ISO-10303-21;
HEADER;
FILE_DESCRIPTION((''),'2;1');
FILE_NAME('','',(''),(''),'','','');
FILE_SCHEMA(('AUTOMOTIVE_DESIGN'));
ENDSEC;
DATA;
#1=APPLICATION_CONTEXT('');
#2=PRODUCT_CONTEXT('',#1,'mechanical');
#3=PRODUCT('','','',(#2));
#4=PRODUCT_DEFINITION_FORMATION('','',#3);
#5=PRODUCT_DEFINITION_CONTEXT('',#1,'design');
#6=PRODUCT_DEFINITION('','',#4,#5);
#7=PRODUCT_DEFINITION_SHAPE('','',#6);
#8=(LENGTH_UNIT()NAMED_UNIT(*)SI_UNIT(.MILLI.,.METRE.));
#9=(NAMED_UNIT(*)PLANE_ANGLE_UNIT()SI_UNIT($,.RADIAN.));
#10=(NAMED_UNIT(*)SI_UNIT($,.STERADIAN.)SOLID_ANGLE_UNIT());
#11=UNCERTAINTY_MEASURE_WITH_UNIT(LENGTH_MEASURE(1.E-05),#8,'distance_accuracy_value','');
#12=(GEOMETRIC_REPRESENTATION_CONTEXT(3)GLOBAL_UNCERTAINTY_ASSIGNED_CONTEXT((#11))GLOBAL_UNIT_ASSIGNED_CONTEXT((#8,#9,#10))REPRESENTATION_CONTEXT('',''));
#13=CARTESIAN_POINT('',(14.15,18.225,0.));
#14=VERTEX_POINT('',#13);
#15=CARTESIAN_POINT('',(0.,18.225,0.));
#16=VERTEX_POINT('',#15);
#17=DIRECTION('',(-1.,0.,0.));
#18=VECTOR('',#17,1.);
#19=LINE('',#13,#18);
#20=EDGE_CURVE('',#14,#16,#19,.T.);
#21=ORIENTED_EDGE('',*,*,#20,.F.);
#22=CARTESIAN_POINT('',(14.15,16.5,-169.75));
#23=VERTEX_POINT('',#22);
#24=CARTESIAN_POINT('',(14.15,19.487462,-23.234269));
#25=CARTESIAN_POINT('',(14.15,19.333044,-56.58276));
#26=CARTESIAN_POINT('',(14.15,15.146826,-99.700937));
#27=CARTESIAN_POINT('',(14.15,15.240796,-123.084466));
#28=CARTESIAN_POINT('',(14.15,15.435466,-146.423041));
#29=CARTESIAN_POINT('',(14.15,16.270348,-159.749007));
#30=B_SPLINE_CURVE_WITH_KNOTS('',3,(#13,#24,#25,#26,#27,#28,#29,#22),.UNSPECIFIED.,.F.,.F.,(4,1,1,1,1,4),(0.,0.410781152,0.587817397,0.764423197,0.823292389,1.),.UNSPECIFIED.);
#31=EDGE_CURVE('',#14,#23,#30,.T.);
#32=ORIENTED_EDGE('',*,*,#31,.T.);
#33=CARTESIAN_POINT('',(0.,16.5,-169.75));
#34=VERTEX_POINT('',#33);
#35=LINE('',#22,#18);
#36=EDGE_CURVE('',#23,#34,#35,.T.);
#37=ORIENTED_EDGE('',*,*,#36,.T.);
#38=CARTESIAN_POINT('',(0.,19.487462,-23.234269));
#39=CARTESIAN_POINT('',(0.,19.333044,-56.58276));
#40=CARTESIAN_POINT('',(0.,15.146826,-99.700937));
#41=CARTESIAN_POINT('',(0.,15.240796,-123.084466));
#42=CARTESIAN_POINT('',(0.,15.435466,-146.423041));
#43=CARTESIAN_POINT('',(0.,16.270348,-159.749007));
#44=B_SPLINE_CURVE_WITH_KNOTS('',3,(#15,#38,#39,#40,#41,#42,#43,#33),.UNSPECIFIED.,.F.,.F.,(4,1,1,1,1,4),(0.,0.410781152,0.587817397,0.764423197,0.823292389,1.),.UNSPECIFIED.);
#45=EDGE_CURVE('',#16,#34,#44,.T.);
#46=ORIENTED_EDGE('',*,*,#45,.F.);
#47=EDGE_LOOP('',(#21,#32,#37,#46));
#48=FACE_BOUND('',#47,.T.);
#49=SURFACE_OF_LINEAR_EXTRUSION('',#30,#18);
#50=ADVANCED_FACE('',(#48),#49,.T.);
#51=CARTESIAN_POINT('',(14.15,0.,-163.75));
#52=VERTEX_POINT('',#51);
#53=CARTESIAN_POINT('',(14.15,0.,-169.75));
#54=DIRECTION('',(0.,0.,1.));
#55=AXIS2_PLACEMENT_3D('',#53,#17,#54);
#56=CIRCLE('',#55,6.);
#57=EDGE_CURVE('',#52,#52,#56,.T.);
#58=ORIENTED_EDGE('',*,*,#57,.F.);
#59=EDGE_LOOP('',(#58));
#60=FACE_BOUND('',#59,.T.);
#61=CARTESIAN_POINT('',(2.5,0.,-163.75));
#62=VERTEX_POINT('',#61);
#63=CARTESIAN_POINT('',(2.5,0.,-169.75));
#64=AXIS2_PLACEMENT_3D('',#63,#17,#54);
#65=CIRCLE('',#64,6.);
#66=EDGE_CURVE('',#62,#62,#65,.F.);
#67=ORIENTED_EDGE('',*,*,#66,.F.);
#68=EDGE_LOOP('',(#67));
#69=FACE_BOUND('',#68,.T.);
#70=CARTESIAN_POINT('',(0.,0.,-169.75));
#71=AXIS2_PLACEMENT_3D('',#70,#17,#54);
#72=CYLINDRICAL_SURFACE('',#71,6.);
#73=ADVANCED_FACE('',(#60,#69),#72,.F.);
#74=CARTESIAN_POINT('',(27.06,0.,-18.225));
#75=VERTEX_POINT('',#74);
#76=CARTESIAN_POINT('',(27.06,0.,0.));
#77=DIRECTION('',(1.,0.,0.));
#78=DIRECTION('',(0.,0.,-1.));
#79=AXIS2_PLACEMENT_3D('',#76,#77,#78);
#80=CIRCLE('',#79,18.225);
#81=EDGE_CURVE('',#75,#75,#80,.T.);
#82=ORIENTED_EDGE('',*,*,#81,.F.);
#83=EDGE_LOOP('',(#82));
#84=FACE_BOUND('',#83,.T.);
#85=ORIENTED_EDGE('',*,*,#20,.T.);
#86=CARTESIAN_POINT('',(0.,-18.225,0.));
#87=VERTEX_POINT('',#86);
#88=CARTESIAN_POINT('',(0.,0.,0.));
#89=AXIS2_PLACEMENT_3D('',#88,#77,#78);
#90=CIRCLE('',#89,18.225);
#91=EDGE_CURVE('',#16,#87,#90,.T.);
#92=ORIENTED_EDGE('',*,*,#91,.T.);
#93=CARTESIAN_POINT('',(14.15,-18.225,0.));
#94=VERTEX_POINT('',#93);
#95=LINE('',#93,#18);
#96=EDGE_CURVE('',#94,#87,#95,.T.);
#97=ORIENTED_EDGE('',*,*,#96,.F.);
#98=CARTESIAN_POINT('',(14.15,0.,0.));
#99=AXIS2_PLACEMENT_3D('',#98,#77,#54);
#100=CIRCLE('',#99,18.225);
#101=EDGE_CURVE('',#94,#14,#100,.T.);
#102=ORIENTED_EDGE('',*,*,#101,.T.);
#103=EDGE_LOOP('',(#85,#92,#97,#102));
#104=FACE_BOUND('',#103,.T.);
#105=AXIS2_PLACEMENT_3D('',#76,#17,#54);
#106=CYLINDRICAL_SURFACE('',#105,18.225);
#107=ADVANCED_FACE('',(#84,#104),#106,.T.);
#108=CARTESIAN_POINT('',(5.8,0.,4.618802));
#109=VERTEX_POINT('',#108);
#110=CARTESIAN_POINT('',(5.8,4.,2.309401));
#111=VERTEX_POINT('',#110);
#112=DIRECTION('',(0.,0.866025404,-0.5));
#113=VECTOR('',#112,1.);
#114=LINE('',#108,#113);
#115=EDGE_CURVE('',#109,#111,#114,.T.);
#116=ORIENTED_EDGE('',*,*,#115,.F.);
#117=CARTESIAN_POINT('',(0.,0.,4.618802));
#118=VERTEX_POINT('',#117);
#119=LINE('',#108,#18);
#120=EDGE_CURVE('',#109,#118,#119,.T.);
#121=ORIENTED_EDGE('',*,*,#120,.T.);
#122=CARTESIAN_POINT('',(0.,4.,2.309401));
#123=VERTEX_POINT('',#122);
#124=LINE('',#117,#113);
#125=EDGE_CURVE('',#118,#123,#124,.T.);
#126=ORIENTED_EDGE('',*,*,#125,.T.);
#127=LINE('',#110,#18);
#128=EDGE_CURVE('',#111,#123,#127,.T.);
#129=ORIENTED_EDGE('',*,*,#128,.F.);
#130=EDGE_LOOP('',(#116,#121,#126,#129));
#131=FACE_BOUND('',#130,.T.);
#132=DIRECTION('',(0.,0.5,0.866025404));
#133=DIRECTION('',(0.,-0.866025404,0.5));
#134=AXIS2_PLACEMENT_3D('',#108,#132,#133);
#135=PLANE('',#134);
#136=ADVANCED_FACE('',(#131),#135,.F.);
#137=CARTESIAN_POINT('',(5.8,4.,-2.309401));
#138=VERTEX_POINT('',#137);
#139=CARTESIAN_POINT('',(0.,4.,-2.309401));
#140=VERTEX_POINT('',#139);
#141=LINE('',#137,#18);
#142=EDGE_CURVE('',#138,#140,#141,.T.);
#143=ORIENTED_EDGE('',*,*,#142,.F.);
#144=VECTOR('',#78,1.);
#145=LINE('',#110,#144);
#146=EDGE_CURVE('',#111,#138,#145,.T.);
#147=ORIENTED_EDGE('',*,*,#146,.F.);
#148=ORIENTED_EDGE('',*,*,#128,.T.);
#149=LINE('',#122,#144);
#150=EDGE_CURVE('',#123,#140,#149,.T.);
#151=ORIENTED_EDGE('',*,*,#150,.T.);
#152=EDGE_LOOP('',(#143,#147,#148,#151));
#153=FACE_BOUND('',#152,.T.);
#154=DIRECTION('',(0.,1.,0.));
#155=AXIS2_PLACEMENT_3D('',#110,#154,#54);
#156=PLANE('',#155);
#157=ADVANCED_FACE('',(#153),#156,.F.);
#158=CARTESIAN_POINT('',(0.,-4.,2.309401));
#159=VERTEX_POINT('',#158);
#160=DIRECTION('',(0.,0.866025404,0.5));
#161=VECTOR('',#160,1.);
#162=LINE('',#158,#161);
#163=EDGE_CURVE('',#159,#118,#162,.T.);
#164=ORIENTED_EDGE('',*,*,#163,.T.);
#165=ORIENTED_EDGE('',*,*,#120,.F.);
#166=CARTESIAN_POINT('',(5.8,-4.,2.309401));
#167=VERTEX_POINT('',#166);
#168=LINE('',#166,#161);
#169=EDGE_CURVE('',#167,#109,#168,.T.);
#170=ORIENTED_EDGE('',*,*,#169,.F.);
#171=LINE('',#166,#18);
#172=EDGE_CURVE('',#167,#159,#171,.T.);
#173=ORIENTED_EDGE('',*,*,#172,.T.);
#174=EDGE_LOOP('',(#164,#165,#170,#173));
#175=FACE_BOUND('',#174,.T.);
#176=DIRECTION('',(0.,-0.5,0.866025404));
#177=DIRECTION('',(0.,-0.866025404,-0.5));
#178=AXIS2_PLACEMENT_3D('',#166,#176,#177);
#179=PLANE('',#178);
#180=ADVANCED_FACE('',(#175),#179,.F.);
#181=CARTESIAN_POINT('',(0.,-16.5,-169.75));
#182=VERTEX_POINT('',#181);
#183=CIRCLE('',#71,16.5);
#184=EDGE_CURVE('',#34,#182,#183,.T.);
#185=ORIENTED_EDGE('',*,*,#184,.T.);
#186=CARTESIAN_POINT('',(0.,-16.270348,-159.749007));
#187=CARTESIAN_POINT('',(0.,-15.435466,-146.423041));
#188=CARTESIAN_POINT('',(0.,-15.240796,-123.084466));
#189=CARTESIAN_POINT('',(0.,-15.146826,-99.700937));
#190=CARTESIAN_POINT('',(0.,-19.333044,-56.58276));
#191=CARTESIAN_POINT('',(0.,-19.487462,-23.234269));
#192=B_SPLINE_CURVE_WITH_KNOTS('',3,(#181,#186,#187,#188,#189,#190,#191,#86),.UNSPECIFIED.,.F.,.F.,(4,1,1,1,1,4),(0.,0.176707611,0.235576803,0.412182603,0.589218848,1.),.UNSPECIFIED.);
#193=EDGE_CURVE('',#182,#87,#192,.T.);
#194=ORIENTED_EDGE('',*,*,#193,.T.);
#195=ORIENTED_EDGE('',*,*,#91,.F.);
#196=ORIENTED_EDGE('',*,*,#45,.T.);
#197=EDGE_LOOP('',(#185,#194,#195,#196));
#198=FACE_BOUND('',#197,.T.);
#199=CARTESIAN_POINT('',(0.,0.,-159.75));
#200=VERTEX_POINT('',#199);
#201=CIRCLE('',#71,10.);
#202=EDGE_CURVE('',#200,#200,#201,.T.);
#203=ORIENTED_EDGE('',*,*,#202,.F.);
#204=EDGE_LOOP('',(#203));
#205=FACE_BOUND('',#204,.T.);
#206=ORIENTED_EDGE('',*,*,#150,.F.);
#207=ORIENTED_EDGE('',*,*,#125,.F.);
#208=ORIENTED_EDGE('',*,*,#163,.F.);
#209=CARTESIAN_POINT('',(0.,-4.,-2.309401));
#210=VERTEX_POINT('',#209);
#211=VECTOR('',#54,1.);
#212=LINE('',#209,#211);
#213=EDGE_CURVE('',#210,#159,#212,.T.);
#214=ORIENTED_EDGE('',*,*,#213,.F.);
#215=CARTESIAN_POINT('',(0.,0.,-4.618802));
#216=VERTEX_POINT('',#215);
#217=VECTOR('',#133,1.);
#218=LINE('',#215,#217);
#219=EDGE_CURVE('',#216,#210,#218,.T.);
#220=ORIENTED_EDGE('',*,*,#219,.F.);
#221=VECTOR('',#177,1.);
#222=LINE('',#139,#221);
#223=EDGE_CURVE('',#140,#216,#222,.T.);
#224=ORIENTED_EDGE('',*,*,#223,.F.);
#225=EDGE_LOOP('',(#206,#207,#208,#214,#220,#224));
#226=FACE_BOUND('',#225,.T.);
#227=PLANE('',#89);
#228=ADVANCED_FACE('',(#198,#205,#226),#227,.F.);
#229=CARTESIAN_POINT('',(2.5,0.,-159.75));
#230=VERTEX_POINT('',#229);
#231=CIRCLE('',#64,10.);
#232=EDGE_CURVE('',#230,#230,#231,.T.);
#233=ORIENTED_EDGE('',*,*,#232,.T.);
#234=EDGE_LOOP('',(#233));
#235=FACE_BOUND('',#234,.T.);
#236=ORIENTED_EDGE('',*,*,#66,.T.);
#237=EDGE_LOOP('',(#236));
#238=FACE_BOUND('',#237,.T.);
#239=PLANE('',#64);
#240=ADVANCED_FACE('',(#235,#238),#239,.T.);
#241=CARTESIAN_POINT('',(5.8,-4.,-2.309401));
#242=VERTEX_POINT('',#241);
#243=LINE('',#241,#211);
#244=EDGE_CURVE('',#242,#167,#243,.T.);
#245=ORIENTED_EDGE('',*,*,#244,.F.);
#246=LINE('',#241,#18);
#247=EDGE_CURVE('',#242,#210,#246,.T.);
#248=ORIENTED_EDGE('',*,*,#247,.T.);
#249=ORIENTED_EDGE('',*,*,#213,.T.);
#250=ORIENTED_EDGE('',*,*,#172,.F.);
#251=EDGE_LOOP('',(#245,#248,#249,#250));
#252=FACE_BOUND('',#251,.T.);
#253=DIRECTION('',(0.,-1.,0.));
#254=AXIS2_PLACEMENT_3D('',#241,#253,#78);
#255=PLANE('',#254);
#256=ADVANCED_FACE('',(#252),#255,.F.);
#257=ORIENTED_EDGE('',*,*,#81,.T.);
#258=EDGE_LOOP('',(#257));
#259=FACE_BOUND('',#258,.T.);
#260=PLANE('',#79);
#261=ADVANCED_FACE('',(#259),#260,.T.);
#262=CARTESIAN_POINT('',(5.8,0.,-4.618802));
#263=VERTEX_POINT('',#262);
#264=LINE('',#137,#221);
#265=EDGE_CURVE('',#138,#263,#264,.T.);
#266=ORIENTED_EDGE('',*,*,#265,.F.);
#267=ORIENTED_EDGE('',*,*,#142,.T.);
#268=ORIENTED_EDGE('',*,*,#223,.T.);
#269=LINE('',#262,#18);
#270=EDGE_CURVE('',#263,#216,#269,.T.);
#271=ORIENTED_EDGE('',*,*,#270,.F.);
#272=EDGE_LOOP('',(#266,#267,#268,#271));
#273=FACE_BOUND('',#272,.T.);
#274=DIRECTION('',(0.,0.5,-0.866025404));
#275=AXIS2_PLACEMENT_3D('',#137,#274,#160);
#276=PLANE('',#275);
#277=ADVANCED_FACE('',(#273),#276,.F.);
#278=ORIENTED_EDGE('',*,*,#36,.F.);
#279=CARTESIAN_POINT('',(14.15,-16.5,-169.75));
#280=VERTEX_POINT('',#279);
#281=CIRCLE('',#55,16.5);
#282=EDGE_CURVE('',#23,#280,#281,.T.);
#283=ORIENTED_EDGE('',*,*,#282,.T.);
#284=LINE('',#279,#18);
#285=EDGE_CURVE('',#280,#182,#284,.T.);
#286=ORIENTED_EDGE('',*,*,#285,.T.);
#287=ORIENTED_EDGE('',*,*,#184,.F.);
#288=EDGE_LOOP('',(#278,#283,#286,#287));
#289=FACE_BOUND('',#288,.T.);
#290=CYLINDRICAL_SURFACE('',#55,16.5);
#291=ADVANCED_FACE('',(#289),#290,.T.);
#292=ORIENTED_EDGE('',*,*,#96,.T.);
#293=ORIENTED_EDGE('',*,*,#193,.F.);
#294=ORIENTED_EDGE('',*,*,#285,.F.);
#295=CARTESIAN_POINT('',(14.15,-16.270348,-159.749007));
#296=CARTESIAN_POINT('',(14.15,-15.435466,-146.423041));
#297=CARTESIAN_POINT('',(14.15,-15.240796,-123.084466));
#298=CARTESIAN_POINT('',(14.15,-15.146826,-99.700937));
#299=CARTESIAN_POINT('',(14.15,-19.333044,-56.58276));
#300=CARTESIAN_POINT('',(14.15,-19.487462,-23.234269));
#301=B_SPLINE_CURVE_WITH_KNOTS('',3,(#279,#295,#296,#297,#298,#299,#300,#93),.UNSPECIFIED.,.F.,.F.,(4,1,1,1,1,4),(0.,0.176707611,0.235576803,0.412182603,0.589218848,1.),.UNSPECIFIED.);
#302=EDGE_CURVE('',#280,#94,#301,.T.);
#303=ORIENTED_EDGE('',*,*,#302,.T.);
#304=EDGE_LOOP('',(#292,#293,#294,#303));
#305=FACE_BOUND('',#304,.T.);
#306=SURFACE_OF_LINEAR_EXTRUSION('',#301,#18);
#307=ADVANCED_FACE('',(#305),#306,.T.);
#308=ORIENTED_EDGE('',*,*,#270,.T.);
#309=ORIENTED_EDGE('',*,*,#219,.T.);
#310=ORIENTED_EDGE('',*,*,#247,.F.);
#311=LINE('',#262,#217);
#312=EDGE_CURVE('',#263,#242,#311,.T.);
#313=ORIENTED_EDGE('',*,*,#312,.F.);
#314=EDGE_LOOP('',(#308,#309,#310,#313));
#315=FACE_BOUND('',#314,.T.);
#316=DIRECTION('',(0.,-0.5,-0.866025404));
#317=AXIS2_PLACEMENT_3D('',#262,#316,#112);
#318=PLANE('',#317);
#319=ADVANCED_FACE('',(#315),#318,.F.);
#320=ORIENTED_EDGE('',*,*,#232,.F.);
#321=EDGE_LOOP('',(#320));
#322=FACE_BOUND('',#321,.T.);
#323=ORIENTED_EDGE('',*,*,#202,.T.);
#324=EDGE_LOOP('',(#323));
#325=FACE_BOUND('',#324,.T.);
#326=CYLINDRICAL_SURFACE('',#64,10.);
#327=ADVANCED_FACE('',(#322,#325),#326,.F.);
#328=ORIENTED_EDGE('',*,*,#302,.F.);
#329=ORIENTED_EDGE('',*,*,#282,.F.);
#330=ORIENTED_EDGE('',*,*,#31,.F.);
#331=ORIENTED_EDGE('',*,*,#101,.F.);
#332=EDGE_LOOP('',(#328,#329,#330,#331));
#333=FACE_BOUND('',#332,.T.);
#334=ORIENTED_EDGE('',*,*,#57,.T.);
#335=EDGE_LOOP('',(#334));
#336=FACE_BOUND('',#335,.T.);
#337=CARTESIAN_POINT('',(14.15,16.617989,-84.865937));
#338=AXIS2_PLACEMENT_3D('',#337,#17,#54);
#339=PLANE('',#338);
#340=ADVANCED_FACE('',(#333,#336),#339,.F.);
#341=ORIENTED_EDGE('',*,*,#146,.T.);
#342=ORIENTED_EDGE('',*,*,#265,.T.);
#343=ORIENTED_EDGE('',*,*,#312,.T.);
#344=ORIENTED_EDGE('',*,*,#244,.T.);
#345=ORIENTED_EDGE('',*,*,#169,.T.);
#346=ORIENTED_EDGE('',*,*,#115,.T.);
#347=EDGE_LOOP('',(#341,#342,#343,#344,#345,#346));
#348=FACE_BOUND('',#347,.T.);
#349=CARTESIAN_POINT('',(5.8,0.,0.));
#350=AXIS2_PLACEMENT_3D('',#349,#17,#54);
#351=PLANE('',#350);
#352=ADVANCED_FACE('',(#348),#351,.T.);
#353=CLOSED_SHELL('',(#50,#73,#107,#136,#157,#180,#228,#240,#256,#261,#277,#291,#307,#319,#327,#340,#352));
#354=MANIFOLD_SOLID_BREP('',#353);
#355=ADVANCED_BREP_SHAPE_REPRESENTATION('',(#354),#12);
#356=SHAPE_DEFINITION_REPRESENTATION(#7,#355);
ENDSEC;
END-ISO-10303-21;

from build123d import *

# Parameters (mm, degrees)
SKETCH1_R                    = 18.225
BOSS_EXTRUDE1_DEPTH          = 27.06
CUT_EXTRUDE1_DEPTH           = 5.8
BOSS_EXTRUDE2_DEPTH          = 14.15
TAP_DRILL_FOR_M14X2_0_TAP1_D = 12
SKETCH8_R                    = 10
CUT_EXTRUDE2_DEPTH           = 2.5


with BuildPart() as part:
    # Sketch1 → Boss-Extrude1 (new body)
    with BuildSketch(Plane(origin=(0, 0, 0), x_dir=(0, 0, -1), z_dir=(1, 0, 0))):
        Circle(SKETCH1_R)
    extrude(amount=BOSS_EXTRUDE1_DEPTH)

    # Sketch2 → Cut-Extrude1 (cut)
    with BuildSketch(Plane.ZY):
        Polygon((4.618802154, 0), (2.309401077, 4), (-2.309401077, 4), (-4.618802154, 0), (-2.309401077, -4), (2.309401077, -4), align=None)
    extrude(amount=-CUT_EXTRUDE1_DEPTH, mode=Mode.SUBTRACT)

    # Sketch3 → Boss-Extrude2 (add)
    with BuildSketch(Plane.ZY):
        with BuildLine():
            ThreePointArc((-169.749999999, 16.5), (-186.25, 1e-09), (-169.75, -16.5))
            add(Edge.make_bspline(
                [(-169.75, -16.5), (-159.749007012, -16.27034763), (-146.423041336, -15.435466348), (-123.084465671, -15.240795583), (-99.700937004, -15.146825519), (-56.582760429, -19.333044357), (-23.234269391, -19.487462019), (0, -18.225)],
                knots=[0, 0, 0, 0, 0.176707611, 0.235576803, 0.412182603, 0.589218848, 1, 1, 1, 1], degree=3))
            ThreePointArc((0, -18.225), (-18.225, -1e-09), (-1e-09, 18.225))
            add(Edge.make_bspline(
                [(-169.749999999, 16.5), (-159.749007011, 16.27034763), (-146.423041336, 15.435466348), (-123.084465671, 15.240795583), (-99.700937004, 15.146825519), (-56.582760429, 19.333044357), (-23.234269392, 19.487462019), (-1e-09, 18.225)],
                knots=[0, 0, 0, 0, 0.176707611, 0.235576803, 0.412182603, 0.589218848, 1, 1, 1, 1], degree=3))
        make_face()
    extrude(amount=-BOSS_EXTRUDE2_DEPTH)

    # Tap Drill for M14x2.0 Tap1 (through all)
    with Locations(Plane.ZY):
        with Locations((-169.75, 0)):
            Hole(TAP_DRILL_FOR_M14X2_0_TAP1_D / 2)

    # Sketch8 → Cut-Extrude2 (cut)
    with BuildSketch(Plane.ZY):
        with Locations((-169.75, 0)):
            Circle(SKETCH8_R)
    extrude(amount=-CUT_EXTRUDE2_DEPTH, mode=Mode.SUBTRACT)


solid = part.part
